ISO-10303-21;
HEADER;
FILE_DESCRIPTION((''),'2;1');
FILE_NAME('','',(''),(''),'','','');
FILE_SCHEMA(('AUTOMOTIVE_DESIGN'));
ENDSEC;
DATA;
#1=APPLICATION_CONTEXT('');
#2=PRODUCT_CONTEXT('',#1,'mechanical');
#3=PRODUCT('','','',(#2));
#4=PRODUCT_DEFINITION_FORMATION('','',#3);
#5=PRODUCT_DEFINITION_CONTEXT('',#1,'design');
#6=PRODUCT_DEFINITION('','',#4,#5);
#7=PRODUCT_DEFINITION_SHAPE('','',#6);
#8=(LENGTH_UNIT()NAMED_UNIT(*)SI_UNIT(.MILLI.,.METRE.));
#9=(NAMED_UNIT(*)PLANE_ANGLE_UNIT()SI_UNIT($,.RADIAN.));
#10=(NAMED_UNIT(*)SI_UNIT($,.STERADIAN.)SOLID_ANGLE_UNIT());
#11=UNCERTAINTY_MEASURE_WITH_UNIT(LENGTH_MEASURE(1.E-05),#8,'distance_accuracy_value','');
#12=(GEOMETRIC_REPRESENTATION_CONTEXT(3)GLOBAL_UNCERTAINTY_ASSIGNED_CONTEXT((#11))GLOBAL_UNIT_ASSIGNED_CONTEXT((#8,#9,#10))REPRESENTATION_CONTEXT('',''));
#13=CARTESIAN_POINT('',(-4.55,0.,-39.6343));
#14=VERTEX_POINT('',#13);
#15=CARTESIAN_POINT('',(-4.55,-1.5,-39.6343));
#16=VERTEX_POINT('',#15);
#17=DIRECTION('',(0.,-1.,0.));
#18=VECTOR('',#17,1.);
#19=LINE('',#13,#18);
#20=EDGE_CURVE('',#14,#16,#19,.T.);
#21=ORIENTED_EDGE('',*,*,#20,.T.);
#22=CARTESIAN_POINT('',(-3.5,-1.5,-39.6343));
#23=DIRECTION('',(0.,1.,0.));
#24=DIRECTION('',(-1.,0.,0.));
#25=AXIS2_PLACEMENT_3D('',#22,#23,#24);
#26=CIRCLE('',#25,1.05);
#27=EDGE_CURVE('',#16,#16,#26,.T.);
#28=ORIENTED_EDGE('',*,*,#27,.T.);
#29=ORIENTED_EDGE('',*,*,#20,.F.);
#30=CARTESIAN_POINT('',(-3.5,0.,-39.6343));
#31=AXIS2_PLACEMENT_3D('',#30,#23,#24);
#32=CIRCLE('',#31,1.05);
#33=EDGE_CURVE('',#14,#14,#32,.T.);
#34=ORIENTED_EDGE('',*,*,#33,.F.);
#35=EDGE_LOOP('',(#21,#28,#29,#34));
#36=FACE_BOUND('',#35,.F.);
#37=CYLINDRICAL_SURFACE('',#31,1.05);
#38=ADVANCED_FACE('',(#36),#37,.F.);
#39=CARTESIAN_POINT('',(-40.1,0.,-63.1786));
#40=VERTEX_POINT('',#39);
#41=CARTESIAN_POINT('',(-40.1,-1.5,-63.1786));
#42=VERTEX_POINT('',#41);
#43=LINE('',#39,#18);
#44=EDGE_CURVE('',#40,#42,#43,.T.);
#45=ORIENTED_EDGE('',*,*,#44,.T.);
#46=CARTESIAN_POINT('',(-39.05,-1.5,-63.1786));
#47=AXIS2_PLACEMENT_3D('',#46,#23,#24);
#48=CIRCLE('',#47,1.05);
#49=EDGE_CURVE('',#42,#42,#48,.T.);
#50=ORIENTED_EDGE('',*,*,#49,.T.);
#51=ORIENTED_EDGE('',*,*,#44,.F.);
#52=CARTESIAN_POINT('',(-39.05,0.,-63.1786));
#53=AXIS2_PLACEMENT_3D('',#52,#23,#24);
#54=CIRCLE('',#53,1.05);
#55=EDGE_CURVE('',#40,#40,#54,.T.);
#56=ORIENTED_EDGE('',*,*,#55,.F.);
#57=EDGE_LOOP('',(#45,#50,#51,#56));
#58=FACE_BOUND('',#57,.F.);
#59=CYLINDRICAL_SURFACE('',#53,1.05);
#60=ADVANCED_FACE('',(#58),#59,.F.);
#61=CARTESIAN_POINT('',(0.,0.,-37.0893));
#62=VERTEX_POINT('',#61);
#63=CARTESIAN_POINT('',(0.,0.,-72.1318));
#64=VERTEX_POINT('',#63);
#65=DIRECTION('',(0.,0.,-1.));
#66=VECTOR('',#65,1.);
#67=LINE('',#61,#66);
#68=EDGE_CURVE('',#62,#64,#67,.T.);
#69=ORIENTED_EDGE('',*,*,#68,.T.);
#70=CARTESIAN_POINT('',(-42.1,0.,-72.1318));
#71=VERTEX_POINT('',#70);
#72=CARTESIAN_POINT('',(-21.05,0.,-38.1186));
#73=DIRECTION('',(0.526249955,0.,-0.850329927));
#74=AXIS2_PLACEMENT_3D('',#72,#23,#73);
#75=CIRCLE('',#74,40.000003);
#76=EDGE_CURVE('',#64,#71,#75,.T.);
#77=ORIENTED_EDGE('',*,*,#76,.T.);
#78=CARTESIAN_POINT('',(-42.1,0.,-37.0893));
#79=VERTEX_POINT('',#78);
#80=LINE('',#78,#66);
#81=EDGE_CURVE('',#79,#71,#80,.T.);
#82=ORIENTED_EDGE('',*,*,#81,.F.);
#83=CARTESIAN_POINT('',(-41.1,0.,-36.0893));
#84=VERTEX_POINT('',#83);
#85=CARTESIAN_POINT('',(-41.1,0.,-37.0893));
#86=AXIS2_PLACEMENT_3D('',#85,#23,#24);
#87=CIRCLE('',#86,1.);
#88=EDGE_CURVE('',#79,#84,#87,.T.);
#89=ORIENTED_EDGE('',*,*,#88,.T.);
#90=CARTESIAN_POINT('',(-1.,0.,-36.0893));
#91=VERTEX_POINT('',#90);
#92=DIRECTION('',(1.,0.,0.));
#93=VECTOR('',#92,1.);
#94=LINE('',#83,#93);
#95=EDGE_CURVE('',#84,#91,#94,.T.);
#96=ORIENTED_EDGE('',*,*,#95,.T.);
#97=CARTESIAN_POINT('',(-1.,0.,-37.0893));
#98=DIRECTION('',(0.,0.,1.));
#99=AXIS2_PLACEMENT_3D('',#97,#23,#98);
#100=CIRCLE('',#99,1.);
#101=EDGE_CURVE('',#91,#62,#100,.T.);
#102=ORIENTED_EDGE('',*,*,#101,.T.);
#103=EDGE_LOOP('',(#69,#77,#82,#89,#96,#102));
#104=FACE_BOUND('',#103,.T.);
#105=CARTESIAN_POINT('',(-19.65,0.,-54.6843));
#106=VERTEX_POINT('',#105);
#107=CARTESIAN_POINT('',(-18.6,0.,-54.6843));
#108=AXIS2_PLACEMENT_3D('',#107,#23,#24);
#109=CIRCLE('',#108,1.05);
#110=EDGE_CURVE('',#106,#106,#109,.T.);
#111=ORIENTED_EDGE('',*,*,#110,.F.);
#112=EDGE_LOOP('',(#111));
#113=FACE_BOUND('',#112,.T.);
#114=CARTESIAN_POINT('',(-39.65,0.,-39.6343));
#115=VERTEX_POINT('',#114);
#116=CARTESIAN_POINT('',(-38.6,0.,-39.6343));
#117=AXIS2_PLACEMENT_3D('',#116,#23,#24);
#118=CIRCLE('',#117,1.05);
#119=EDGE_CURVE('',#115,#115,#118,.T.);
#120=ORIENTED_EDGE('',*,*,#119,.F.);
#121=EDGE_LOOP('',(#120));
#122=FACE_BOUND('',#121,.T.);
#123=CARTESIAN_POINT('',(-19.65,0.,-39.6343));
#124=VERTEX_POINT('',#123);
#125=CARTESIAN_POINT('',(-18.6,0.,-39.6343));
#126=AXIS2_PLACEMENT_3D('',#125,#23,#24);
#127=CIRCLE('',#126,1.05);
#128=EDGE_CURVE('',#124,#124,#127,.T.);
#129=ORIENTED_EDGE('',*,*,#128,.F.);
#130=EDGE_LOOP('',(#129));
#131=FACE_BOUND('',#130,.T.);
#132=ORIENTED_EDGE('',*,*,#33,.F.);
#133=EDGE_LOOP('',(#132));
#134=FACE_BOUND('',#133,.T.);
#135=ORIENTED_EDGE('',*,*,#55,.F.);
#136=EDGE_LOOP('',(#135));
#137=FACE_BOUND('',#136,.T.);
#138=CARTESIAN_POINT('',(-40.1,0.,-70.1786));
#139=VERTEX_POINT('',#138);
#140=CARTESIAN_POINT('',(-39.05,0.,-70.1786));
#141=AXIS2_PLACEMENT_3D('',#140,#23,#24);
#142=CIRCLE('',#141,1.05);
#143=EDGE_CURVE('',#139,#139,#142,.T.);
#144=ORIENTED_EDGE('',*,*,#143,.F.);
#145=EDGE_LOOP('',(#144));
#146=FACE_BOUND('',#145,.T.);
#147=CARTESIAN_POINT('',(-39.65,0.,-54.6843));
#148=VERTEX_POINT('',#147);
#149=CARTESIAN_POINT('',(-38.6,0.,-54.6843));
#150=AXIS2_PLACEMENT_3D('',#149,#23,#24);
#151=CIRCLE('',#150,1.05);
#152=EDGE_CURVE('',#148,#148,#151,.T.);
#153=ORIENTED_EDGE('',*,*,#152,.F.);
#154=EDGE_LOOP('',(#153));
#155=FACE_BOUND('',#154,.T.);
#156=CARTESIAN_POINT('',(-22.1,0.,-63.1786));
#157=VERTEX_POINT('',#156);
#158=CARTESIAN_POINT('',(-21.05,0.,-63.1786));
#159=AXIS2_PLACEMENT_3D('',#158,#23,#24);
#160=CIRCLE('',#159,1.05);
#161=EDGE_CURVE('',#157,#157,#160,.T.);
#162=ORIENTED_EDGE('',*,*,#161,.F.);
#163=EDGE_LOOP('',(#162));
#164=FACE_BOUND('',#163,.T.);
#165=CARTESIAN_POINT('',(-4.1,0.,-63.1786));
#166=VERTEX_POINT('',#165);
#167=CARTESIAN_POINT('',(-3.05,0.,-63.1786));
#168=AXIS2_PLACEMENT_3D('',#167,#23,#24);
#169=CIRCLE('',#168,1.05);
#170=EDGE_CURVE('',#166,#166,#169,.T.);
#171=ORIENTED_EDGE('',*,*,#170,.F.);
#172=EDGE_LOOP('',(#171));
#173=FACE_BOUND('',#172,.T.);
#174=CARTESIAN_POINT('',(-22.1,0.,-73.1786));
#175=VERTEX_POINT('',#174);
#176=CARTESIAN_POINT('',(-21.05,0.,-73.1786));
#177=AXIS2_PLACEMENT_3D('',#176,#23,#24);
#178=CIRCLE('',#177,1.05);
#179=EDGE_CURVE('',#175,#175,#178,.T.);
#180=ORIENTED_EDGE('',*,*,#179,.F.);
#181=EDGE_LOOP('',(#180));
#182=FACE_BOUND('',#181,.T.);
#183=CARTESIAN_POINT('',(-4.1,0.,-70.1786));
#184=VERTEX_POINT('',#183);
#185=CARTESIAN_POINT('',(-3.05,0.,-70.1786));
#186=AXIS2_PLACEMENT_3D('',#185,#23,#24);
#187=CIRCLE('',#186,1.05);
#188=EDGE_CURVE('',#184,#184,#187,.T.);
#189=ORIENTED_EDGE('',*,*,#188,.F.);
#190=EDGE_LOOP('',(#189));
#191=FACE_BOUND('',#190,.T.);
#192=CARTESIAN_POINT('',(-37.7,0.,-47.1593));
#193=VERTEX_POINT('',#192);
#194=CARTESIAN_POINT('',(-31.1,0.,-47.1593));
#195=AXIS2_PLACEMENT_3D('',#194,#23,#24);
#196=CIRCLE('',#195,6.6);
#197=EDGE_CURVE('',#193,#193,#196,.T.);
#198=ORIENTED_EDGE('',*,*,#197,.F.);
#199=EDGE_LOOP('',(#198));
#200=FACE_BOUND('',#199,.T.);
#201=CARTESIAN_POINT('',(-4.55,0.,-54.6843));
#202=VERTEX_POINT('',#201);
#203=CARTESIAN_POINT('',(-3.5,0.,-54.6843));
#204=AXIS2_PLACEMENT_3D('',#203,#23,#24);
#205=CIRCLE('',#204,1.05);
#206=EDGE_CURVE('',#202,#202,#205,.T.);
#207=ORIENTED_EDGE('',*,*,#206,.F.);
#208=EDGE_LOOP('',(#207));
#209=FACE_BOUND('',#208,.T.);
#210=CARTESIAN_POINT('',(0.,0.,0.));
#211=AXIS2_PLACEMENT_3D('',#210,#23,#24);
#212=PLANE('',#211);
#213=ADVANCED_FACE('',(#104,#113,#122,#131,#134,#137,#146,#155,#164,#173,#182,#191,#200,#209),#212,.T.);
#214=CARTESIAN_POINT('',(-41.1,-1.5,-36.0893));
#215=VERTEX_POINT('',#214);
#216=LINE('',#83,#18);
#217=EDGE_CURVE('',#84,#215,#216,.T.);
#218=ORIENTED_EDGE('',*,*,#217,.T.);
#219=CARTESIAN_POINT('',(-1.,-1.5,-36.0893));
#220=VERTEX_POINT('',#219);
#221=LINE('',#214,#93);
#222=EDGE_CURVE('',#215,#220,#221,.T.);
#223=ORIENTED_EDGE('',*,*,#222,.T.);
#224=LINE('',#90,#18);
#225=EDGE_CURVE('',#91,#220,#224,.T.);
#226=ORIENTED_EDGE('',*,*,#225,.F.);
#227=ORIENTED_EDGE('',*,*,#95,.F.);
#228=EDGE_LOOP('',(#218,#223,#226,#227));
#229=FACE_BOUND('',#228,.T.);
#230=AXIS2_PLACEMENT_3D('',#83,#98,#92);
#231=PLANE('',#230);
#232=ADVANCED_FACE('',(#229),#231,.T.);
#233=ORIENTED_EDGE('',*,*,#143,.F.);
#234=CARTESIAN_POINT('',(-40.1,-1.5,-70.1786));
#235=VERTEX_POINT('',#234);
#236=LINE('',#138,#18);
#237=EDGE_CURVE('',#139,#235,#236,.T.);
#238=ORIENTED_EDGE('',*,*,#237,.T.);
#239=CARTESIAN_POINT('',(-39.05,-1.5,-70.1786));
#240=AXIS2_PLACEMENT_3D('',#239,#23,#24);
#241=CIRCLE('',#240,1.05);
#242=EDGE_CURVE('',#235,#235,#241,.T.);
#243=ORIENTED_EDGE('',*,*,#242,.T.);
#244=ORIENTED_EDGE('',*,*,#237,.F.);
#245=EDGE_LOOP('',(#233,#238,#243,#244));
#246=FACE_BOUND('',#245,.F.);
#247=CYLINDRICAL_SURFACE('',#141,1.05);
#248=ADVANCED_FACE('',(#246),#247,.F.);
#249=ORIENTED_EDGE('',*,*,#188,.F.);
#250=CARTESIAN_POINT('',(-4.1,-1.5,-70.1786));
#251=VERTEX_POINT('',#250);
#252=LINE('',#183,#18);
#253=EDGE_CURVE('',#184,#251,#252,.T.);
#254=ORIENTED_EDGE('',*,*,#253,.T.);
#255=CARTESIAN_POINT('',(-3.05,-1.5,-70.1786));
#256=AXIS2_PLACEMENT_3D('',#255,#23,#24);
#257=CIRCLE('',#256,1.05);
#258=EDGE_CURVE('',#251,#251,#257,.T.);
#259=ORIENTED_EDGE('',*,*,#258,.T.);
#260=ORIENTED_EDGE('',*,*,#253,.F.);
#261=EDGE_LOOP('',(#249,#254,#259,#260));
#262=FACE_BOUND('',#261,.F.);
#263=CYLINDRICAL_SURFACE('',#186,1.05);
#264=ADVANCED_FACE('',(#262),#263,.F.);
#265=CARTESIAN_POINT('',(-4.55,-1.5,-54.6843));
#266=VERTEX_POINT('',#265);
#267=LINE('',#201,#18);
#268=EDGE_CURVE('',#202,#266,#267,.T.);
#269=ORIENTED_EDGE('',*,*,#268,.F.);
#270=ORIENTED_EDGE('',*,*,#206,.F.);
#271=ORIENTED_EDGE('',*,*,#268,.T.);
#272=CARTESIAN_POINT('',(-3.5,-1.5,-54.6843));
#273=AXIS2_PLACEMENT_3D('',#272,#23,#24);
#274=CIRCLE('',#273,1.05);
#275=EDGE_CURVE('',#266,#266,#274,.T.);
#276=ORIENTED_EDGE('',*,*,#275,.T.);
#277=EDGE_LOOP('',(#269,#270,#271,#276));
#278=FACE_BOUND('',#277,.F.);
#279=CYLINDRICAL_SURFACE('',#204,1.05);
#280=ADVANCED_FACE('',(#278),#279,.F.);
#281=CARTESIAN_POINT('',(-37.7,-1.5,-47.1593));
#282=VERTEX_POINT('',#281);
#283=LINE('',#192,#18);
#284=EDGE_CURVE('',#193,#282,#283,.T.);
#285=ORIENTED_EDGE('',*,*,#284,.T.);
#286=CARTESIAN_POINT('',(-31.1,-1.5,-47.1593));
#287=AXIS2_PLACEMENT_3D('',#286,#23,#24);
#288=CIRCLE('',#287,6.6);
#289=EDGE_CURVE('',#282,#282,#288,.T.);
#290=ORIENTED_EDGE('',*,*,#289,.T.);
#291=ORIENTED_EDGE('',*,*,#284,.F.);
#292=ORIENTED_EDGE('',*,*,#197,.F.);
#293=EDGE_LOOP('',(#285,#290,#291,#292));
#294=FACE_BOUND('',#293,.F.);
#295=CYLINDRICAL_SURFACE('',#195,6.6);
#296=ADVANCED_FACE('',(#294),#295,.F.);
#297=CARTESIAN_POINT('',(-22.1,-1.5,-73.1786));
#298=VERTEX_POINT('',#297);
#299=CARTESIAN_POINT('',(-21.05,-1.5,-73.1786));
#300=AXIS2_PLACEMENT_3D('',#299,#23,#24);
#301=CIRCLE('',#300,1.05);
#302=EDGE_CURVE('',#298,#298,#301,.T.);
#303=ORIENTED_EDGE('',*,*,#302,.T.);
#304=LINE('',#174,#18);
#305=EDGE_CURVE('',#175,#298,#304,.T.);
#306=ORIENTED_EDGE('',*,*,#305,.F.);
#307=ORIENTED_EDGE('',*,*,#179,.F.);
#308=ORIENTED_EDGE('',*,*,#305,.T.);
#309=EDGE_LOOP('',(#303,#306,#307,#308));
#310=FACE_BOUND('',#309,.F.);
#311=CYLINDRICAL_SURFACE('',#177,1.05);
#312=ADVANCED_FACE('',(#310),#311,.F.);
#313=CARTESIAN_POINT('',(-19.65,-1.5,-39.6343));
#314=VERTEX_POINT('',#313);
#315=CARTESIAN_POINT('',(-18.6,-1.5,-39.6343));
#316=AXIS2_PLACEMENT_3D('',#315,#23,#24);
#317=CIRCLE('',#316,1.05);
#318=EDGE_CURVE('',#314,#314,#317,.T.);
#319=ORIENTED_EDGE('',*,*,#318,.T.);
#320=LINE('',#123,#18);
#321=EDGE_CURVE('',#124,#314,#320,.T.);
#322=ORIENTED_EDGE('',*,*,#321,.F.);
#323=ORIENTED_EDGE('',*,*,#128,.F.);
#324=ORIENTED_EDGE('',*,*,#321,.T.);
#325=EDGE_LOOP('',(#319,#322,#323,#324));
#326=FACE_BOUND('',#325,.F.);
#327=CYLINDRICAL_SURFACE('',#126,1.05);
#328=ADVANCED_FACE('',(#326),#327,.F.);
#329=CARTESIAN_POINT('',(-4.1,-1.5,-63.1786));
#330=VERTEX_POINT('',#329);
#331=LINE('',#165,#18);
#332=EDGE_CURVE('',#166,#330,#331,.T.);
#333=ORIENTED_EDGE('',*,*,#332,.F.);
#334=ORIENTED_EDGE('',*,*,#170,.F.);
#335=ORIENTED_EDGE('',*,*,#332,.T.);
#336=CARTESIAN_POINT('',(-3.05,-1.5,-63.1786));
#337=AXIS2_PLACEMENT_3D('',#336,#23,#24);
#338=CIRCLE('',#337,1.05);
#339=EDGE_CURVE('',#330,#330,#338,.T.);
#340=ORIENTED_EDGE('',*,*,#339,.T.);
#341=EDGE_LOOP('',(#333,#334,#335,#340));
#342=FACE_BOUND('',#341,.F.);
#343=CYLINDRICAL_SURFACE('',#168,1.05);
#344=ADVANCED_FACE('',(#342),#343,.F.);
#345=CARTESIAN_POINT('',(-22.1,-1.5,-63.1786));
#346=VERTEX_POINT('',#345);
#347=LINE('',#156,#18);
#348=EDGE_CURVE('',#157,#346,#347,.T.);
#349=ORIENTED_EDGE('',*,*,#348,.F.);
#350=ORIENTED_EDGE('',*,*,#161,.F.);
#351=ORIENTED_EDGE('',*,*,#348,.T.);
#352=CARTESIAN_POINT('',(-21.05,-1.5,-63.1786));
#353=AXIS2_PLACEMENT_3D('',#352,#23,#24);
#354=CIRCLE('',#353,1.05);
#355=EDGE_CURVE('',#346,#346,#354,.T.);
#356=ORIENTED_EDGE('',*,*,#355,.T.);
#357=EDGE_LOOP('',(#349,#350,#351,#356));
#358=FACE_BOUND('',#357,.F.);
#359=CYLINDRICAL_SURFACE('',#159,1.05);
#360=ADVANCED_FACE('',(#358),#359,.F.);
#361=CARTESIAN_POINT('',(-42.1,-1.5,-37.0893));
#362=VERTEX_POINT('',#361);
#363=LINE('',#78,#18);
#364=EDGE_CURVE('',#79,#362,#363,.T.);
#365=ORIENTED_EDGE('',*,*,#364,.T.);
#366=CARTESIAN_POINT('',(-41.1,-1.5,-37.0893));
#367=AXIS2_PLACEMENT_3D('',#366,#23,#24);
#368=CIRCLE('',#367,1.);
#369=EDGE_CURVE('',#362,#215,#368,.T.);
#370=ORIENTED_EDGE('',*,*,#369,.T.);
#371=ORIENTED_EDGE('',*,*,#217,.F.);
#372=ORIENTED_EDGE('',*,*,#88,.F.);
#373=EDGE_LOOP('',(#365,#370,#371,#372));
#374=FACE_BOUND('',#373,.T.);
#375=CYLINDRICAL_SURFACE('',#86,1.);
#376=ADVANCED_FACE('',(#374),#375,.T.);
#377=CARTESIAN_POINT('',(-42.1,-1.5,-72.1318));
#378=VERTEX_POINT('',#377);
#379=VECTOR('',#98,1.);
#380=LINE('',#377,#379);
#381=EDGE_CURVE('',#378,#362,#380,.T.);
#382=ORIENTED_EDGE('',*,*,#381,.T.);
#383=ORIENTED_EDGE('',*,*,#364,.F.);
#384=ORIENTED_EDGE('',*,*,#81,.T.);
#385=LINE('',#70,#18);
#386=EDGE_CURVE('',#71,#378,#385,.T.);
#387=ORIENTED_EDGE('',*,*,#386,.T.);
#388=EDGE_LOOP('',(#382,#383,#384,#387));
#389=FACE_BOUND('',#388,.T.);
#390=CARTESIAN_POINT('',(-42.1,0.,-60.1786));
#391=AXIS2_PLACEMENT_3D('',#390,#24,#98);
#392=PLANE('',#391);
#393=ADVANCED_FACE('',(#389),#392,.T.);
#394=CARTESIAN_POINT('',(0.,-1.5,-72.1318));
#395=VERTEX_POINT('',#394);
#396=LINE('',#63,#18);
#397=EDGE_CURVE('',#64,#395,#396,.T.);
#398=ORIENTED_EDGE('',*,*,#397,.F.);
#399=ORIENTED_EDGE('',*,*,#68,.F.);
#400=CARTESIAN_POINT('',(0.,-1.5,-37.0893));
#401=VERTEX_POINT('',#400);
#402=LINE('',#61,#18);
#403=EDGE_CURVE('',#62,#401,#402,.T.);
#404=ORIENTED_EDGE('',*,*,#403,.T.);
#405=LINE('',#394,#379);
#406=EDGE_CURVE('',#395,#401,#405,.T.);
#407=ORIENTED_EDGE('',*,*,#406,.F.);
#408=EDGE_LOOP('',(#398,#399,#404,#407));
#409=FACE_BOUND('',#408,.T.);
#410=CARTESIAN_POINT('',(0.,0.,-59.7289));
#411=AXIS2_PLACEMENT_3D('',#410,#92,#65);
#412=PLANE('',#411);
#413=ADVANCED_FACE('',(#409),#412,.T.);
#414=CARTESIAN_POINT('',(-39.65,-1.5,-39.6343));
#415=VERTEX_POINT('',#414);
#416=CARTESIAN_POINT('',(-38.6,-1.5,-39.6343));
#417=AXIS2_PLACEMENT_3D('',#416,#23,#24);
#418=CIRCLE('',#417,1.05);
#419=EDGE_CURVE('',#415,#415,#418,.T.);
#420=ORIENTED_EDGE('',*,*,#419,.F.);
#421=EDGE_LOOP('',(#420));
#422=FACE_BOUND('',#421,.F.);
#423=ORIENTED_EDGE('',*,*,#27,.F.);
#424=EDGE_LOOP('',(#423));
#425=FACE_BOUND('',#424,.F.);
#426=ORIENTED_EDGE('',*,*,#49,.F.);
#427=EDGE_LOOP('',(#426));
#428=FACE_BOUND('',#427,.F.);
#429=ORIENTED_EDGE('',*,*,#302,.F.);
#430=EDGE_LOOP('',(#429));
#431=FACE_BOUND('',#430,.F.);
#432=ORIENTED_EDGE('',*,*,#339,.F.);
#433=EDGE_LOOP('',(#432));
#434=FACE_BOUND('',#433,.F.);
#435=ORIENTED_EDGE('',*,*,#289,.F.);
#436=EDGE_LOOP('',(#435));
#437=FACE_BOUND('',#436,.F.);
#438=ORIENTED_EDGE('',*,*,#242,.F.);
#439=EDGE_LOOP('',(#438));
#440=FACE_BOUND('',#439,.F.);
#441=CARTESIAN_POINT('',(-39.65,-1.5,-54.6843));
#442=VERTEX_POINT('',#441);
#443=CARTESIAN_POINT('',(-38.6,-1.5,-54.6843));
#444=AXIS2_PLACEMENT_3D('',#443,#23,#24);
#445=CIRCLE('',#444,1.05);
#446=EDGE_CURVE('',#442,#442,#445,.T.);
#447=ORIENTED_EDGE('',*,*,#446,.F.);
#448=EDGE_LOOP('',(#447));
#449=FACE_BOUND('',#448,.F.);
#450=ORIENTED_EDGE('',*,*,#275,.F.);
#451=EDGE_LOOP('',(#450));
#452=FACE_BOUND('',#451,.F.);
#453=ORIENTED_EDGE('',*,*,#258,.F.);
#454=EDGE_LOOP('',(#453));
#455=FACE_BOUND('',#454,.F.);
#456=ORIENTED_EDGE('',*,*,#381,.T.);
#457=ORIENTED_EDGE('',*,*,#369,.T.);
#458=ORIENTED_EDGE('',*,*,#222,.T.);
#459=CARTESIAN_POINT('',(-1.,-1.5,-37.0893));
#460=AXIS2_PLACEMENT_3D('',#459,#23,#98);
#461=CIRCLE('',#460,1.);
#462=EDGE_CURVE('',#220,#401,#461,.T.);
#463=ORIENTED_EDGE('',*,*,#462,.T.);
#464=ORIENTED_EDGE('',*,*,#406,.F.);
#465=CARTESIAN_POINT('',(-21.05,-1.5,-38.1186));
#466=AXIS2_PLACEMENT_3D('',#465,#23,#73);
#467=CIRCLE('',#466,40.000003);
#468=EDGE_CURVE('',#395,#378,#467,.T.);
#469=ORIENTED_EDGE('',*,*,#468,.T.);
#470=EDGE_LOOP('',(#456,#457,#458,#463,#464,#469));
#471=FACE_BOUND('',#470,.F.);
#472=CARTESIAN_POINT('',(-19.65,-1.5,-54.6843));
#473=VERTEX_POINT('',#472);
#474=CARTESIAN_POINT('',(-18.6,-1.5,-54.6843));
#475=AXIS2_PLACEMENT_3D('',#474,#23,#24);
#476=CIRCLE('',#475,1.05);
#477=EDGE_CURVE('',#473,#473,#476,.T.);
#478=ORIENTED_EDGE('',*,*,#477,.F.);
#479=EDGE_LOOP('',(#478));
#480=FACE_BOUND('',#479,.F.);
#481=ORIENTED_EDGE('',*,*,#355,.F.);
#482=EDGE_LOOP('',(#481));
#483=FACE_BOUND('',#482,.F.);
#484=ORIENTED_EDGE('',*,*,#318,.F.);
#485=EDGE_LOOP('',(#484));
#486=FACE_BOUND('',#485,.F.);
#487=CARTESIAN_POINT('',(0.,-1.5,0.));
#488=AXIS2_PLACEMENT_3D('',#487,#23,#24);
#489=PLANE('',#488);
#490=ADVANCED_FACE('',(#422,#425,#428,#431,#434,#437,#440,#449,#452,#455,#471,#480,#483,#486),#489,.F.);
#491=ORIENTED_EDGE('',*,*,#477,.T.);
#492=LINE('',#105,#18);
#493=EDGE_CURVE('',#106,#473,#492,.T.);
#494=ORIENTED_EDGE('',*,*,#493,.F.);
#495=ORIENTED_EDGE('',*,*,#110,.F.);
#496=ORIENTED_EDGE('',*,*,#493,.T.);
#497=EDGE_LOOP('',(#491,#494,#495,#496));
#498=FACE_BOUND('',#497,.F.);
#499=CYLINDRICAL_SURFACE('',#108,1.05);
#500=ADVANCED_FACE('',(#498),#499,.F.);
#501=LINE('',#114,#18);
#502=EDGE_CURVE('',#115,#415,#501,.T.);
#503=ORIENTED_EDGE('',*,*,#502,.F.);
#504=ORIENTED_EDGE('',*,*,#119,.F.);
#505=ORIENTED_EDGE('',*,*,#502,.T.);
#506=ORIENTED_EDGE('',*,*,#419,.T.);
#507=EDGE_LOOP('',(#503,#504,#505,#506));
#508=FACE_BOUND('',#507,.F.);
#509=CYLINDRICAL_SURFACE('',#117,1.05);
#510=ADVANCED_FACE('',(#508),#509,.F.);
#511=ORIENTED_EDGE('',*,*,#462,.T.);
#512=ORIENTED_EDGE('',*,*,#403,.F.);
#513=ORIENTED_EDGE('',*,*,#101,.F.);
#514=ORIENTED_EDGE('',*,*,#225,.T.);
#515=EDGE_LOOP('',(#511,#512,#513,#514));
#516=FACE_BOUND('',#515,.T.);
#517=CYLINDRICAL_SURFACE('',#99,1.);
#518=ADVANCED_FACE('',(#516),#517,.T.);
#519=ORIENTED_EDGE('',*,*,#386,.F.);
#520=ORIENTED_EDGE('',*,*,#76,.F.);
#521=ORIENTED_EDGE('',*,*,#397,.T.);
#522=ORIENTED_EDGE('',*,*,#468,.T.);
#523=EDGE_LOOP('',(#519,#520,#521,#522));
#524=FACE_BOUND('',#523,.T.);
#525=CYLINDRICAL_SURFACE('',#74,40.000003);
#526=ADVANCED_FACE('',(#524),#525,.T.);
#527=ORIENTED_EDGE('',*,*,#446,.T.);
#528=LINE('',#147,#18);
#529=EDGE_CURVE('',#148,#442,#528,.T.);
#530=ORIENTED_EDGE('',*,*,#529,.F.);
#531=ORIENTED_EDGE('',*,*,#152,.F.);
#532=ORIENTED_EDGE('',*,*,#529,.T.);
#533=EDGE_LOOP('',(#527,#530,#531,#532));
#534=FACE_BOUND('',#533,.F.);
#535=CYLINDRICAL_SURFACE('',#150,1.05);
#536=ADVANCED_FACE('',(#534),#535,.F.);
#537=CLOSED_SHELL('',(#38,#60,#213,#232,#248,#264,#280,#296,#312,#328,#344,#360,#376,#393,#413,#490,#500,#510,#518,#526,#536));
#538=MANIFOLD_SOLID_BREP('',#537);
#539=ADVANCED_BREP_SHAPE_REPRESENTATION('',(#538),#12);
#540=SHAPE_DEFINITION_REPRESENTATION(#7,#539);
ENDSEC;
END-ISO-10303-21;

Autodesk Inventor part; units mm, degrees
ref_plane "YZ Plane" through (0, 0, 0) normal (1, 0, 0) x (0, 1, 0)
ref_plane "XZ Plane" through (0, 0, 0) normal (0, 1, 0) x (-1, 0, 0)
ref_plane "XY Plane" through (0, 0, 0) normal (0, 0, 1) x (1, 0, 0)
sketch "Sketch1" plane through (0, 0, 0) normal (0, 1, 0) x (-1, 0, 0)
  line L0 (42.1, -59.7289) -> (0, -59.7289)
  circle A0 centre (31.1, -47.1593) radius 6.6
  circle A1 centre (38.6, -39.6343) radius 1.05
  circle A2 centre (38.6, -54.6843) radius 1.05
  circle A3 centre (18.6, -54.6843) radius 1.05
  circle A4 centre (18.6, -39.6343) radius 1.05
  circle A5 centre (3.5, -39.6343) radius 1.05
  circle A6 centre (3.5, -54.6843) radius 1.05
  circle A7 centre (3.05, -70.1786) radius 1.05
  circle A8 centre (3.05, -63.1786) radius 1.05
  circle A9 centre (21.05, -63.1786) radius 1.05
  circle A10 centre (21.05, -73.1786) radius 1.05
  circle A11 centre (39.05, -70.1786) radius 1.05
  circle A12 centre (39.05, -63.1786) radius 1.05
  arc A13 (42.1, -37.0893) -> (41.1, -36.0893) centre (41.1, -37.0893) ccw
  line L1 (41.1, -36.0893) -> (1, -36.0893)
  arc A14 (1, -36.0893) -> (0, -37.0893) centre (1, -37.0893) ccw
  arc A15 (0, -72.1318) -> (42.1, -72.1318) centre (21.05, -38.1186) ccw
  line L2 (0, -37.0893) -> (0, -72.1318)
  line L3 (42.1, -72.1318) -> (42.1, -37.0893)
  line L4 (42.1, -59.2793) -> (0, -59.2793)
  line L5 (0, -60.1786) -> (42.1, -60.1786)
extrude "Extrusion1" add sketch "Sketch1" against normal blind 1.5
properties part number "axis_2_bottom_L_frame(bottom)"
